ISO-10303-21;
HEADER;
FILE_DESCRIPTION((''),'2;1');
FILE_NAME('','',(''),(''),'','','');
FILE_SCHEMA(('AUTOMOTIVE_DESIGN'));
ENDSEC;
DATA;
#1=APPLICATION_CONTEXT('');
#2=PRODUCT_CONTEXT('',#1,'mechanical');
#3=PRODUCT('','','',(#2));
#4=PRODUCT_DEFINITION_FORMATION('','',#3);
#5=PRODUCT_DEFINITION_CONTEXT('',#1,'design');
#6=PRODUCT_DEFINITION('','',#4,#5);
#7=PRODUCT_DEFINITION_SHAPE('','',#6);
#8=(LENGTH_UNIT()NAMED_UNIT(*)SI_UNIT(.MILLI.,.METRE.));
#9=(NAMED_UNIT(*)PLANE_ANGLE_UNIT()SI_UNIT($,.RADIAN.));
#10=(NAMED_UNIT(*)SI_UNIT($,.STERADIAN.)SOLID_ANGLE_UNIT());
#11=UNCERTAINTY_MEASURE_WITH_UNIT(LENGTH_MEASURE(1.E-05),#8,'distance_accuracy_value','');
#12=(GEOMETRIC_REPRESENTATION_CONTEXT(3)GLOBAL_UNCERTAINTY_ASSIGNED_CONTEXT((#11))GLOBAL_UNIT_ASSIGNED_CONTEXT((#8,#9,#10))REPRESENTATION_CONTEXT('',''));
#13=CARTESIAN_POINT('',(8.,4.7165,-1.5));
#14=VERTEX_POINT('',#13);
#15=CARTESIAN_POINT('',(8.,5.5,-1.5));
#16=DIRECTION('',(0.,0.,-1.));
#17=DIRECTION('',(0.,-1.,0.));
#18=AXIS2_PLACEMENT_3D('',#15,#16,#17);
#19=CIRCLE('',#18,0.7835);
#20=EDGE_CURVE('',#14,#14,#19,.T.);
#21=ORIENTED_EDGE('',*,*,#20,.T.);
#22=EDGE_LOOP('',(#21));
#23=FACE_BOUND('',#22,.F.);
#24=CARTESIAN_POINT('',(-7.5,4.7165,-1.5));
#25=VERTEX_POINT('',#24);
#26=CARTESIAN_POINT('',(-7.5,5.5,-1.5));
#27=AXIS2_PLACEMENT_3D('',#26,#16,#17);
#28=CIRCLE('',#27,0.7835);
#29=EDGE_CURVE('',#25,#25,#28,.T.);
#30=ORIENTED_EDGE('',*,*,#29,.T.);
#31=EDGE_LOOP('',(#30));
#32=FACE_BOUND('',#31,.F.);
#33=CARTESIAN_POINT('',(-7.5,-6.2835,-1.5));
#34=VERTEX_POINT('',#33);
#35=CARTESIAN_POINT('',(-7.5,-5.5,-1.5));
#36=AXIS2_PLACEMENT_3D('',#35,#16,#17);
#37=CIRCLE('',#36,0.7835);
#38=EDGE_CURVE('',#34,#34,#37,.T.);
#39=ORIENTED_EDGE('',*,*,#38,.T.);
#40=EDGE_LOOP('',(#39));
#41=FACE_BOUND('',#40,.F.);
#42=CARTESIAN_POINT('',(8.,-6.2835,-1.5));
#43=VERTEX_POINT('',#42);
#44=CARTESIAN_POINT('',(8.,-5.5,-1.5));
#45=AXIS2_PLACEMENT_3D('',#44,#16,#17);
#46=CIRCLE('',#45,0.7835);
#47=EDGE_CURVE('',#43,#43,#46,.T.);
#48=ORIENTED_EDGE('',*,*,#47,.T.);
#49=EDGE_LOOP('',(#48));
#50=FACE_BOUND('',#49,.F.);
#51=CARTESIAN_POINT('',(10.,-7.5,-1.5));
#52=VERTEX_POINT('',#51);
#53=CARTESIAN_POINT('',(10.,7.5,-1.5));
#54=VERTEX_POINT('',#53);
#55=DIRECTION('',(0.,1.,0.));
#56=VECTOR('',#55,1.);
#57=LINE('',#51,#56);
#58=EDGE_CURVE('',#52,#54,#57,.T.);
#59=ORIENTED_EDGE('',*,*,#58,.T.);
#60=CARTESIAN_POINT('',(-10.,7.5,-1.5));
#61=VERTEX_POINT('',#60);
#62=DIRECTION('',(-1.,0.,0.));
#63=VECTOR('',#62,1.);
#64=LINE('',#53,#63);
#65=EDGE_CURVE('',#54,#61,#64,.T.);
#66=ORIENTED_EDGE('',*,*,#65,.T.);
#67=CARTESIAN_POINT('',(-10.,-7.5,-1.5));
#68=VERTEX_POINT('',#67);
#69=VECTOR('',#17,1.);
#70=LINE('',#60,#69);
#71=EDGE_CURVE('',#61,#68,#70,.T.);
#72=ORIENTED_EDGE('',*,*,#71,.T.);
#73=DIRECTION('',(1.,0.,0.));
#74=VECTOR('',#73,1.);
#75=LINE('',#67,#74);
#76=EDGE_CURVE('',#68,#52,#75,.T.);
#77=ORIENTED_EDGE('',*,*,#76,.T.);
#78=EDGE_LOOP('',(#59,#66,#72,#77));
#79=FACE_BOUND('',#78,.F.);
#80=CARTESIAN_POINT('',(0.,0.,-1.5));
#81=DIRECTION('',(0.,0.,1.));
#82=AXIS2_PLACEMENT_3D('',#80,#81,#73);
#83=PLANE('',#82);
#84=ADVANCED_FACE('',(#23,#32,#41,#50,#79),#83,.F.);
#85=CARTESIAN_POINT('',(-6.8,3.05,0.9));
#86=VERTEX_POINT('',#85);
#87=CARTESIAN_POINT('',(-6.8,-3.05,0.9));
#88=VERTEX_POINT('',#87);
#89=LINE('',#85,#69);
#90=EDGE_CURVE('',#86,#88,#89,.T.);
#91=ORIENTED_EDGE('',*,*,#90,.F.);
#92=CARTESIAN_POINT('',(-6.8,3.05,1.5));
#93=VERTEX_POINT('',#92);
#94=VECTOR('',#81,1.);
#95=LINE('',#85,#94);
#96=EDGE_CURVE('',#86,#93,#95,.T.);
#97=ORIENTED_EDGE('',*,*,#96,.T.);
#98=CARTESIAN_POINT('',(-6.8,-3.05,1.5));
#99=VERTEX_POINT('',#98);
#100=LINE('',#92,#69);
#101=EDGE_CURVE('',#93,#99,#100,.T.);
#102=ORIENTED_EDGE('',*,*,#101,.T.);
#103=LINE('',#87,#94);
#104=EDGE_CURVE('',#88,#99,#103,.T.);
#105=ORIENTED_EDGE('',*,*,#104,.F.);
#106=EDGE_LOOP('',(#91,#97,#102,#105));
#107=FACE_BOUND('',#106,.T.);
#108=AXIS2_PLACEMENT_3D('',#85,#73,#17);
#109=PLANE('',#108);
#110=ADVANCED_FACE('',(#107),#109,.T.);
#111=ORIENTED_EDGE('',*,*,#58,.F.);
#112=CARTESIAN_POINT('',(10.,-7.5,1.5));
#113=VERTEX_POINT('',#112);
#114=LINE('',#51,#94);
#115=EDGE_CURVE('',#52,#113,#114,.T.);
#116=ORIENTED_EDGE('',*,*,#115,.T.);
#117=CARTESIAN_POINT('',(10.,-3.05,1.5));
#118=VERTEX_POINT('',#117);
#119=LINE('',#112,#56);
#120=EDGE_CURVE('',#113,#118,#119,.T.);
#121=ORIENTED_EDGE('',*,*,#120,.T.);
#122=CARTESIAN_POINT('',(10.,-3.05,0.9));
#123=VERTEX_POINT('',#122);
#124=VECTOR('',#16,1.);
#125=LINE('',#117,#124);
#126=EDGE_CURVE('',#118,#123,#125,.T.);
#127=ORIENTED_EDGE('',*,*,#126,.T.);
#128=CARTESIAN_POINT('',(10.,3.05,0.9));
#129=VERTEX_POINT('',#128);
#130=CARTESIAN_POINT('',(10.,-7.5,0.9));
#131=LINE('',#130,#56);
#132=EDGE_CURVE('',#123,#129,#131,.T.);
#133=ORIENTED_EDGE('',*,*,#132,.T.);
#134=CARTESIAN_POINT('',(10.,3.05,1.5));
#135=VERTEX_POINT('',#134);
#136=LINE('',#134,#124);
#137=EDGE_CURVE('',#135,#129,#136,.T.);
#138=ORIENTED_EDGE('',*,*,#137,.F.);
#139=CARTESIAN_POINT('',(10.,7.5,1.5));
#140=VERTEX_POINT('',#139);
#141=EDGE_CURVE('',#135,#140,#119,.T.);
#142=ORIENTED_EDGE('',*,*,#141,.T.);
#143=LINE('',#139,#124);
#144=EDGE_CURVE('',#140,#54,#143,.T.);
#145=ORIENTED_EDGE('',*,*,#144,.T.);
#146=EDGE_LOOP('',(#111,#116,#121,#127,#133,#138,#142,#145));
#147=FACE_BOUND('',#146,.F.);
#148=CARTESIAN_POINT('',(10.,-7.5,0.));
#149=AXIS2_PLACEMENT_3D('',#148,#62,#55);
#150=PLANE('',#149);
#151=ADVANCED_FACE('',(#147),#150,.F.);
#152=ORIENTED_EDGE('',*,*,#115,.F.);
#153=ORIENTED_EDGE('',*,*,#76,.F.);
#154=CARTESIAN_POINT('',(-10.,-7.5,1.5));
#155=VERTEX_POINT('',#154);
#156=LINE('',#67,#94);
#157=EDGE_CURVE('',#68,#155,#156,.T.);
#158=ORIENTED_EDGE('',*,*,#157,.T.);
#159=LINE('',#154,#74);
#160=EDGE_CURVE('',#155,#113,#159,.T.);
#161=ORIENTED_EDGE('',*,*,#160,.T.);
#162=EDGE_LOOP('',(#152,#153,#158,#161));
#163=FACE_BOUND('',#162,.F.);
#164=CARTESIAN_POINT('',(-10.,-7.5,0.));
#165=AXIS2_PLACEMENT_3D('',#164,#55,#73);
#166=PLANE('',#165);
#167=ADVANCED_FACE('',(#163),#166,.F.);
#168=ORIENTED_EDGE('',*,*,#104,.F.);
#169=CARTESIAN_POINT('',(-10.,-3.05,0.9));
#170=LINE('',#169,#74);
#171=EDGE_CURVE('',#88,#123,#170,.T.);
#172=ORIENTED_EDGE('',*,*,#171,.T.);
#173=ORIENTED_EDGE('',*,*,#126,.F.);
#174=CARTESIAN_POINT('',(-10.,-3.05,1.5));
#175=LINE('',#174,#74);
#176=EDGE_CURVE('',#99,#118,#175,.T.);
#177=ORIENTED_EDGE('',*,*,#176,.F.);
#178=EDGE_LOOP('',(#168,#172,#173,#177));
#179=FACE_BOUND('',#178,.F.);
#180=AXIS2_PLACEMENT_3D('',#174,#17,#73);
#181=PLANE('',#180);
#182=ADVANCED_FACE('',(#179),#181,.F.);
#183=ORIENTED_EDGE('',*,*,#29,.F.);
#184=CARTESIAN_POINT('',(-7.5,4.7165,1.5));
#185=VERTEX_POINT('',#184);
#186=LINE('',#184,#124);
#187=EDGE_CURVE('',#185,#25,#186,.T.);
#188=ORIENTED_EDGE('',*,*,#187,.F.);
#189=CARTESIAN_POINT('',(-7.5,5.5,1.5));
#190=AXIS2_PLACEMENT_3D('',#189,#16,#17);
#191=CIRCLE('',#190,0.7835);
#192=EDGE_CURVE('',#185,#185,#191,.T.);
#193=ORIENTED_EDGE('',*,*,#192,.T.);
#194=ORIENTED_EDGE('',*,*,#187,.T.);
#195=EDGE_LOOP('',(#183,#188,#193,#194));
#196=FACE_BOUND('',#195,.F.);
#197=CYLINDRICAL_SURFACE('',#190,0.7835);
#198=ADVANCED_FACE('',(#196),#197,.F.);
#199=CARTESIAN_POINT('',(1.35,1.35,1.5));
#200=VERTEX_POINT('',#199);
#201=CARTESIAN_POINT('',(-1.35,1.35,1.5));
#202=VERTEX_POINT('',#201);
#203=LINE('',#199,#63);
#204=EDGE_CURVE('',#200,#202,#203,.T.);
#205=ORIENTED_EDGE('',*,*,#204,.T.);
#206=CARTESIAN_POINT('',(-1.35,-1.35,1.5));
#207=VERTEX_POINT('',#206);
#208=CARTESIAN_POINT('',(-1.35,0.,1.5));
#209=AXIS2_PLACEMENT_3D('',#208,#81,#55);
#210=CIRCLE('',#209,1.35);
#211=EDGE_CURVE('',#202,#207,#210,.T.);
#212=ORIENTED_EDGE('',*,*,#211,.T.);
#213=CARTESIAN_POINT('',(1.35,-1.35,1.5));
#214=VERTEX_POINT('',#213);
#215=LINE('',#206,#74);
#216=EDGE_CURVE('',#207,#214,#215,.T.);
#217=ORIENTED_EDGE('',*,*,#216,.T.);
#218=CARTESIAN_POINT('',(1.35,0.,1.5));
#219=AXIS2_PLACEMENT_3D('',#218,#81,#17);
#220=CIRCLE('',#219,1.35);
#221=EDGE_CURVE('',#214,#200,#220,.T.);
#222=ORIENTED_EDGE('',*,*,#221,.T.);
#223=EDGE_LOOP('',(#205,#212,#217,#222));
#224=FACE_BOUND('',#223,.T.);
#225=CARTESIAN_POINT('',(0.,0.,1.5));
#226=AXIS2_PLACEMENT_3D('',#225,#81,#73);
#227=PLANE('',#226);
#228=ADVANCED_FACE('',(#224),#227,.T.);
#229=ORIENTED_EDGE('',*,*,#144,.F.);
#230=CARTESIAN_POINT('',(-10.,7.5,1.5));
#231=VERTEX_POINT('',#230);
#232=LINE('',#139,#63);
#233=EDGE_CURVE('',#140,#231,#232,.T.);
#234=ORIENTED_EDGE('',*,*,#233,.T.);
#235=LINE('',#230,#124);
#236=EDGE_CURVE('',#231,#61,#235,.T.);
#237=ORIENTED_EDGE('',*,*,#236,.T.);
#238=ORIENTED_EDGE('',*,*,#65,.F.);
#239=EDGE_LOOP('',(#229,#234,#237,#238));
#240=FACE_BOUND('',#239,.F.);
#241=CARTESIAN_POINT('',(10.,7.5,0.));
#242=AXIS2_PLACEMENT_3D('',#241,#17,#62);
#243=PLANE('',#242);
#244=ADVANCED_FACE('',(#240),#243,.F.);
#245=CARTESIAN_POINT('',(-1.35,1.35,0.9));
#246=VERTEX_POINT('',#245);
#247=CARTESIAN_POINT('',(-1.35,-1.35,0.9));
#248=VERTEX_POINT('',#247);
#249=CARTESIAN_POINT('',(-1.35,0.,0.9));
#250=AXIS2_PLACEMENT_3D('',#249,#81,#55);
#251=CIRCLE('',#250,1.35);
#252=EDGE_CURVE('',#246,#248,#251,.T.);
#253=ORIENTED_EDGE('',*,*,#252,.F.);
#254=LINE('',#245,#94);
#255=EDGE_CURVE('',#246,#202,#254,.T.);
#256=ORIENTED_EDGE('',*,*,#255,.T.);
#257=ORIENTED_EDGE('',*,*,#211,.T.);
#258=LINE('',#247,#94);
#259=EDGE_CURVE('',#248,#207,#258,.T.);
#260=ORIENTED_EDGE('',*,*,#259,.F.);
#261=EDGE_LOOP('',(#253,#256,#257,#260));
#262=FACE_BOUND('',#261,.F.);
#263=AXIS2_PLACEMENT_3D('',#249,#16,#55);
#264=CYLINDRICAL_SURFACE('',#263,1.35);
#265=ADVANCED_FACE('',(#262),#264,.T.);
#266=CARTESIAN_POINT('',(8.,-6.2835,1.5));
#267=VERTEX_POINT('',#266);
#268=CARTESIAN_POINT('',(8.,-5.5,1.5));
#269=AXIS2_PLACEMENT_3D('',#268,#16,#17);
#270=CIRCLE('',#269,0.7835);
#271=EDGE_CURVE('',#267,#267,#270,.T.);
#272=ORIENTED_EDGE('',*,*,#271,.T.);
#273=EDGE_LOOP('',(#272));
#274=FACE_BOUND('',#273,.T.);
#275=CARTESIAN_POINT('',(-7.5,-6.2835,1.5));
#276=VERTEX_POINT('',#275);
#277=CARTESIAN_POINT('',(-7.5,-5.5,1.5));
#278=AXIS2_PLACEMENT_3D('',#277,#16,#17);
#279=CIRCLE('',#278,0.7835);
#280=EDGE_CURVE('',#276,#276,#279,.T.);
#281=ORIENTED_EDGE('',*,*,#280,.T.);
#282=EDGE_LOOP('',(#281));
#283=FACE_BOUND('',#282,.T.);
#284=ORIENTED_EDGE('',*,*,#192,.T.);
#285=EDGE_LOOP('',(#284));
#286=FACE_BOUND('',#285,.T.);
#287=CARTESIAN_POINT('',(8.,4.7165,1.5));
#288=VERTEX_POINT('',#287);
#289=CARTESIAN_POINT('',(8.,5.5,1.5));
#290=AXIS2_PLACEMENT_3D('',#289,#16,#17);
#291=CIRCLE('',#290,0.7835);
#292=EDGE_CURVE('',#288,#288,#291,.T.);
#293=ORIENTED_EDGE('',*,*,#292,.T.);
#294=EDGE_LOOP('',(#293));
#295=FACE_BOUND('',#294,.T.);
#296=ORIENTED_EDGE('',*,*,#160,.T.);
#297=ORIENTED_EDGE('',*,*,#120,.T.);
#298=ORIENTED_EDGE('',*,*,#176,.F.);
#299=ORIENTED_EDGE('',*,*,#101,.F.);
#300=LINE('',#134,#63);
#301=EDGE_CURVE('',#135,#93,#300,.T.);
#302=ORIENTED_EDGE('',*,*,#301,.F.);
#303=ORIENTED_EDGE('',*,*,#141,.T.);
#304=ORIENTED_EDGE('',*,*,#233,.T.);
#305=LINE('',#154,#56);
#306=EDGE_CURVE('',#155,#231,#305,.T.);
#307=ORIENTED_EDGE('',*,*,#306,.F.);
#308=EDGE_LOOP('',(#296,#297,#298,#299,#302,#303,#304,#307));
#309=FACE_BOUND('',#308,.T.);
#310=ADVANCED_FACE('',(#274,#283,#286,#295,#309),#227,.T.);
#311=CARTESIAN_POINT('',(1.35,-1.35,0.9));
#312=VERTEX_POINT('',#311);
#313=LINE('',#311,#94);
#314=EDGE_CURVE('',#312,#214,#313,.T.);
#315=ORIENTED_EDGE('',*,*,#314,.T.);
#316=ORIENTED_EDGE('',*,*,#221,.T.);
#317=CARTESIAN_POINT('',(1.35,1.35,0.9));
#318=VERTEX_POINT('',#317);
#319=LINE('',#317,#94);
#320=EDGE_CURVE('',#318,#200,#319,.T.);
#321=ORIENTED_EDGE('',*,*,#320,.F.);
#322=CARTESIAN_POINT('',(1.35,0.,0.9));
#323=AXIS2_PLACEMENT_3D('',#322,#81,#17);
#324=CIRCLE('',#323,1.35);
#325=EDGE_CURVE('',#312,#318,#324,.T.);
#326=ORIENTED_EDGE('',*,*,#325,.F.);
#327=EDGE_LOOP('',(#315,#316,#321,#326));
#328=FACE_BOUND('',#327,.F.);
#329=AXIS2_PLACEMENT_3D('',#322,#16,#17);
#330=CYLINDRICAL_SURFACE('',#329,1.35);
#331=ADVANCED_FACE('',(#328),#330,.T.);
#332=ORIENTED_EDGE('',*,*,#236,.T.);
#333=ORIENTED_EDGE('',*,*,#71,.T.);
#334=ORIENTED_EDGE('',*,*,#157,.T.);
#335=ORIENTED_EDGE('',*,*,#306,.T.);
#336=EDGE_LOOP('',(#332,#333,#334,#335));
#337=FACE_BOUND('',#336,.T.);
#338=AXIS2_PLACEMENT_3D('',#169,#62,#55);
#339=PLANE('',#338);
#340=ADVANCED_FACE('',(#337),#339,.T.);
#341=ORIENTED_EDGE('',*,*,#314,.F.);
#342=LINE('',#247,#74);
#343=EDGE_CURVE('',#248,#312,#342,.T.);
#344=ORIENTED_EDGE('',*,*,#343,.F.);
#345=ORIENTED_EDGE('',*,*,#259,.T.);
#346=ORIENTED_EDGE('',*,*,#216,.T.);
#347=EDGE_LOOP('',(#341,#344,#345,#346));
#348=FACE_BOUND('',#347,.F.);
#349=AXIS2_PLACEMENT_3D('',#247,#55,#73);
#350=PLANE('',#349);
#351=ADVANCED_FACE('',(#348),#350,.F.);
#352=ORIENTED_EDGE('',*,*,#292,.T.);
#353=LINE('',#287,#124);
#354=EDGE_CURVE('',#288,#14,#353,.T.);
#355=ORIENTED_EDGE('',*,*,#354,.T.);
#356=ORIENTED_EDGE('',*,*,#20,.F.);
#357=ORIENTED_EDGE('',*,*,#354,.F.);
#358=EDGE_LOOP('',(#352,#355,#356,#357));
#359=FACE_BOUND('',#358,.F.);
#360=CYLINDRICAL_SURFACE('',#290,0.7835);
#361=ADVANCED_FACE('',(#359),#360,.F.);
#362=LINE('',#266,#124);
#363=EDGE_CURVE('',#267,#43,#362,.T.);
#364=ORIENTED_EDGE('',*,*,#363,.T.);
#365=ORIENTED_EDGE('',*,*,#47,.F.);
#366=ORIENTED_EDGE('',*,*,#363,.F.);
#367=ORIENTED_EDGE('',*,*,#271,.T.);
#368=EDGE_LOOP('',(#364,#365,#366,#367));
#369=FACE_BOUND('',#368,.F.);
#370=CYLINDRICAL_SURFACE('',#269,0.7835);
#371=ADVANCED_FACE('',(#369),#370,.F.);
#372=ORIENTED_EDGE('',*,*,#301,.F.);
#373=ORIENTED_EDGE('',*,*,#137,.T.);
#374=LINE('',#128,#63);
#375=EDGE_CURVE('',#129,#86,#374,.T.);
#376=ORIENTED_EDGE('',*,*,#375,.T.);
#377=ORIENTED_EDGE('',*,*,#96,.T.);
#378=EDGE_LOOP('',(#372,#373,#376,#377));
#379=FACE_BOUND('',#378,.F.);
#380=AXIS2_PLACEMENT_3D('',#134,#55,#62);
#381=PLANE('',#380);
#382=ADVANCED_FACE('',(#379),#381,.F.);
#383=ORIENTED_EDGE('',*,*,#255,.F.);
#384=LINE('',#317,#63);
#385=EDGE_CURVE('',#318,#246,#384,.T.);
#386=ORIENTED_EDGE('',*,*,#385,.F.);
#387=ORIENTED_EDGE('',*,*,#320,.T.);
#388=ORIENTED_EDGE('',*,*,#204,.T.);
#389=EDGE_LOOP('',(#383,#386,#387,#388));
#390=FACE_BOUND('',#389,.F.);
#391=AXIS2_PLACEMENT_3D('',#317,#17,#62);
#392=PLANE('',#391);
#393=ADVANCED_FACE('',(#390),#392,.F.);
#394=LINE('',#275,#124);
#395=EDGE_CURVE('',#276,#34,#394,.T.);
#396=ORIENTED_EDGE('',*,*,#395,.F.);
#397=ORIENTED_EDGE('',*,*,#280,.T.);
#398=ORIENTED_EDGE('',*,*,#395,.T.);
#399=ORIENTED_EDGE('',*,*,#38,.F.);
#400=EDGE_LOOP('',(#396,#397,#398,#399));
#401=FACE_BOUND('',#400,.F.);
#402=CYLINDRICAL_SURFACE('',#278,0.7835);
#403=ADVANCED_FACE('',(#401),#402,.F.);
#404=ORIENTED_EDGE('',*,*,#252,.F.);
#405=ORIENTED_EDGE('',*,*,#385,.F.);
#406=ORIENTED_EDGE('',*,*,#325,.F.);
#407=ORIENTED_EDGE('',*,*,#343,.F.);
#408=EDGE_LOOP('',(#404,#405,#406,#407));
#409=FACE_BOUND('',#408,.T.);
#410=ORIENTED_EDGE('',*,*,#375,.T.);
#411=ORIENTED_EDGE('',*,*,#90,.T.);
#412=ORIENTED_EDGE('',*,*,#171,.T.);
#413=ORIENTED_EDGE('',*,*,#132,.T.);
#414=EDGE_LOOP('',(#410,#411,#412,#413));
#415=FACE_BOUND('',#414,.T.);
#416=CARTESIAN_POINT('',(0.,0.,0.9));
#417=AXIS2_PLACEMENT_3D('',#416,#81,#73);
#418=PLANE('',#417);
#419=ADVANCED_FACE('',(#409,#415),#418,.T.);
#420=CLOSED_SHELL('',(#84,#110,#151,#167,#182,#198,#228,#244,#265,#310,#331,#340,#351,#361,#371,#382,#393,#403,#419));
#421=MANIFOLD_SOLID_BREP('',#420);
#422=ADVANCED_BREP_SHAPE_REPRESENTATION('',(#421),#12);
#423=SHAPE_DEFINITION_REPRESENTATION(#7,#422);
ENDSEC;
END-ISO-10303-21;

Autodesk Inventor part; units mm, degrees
ref_plane "YZ Plane" through (0, 0, 0) normal (1, 0, 0) x (0, 1, 0)
ref_plane "XZ Plane" through (0, 0, 0) normal (0, 1, 0) x (-1, 0, 0)
ref_plane "XY Plane" through (0, 0, 0) normal (0, 0, 1) x (1, 0, 0)
sketch "スケッチ1" plane through (0, 0, 0) normal (0, 0, 1) x (1, 0, 0)
  line L0 (-10, -7.5) -> (10, -7.5)
  line L1 (10, -7.5) -> (10, 7.5)
  line L2 (10, 7.5) -> (-10, 7.5)
  line L3 (-10, 7.5) -> (-10, -7.5)
  line L4 (-10, -7.5) -> (10, 7.5) construction
  line L5 (10, -7.5) -> (-10, 7.5) construction
  point P0 (0, 0)
  dimension "d0" = 20
  dimension "d1" = 15
extrude "押し出し1" add sketch "スケッチ1" along normal mid plane 3
sketch "スケッチ2" plane through (0, 0, 1.5) normal (0, 0, 1) x (1, 0, 0)
  line L0 (10, -7.5) -> (10, 7.5) projected
  line L1 (-10, -3.05) -> (10, -3.05)
  line L2 (10, -3.05) -> (10, 3.05)
  line L3 (10, 3.05) -> (-10, 3.05)
  line L4 (-10, 3.05) -> (-10, -3.05)
  line L5 (-10, -3.05) -> (10, 3.05) construction
  line L6 (10, -3.05) -> (-10, 3.05) construction
  point P0 (0, 0)
  dimension "d4" = 6.1
extrude "押し出し2" cut sketch "スケッチ2" against normal blind 0.6
sketch "スケッチ3" plane through (0, 0, 0.9) normal (0, 0, 1) x (1, 0, 0)
  line L0 (-1.35, 0) -> (1.35, 0) construction
  line L1 (-1.35, -1.35) -> (1.35, -1.35)
  line L2 (1.35, 1.35) -> (-1.35, 1.35)
  arc A0 (-1.35, 1.35) -> (-1.35, -1.35) centre (-1.35, 0) ccw
  arc A1 (1.35, -1.35) -> (1.35, 1.35) centre (1.35, 0) ccw
  point P0 (0, 0)
  point P1 (2.7, 0)
  point P2 (-2.7, 0)
  dimension "d7" = 2.7
  dimension "d8" = 5.4
extrude "押し出し3" add sketch "スケッチ3" along normal blind 0.6
sketch "スケッチ4" plane through (0, 0, 0.9) normal (0, 0, 1) x (1, 0, 0)
  line L0 (1.35, -1.35) -> (-1.35, -1.35) projected
  arc A0 (-1.35, 1.35) -> (-1.35, -1.35) centre (-1.35, 0) ccw projected
  line L1 (-1.35, 1.35) -> (1.35, 1.35) projected
  arc A1 (1.35, -1.35) -> (1.35, 1.35) centre (1.35, 0) ccw projected
  line L2 (10, -3.05) -> (-10, -3.05) projected
  line L3 (10, 3.05) -> (10, -3.05) projected
  line L4 (-10, 3.05) -> (10, 3.05) projected
  line L5 (-10, -3.05) -> (-10, 3.05) projected
  line L6 (-10, 3.05) -> (10, 3.05) projected
  line L7 (-6.8, 3.05) -> (-6.8, -3.05)
  arc A2 (-1.35, 1.35) -> (-1.35, -1.35) centre (-1.35, 0) ccw projected
  point P0 (0, 0)
  point P1 (-2.7, 0)
  dimension "d11" = 4.1
extrude "押し出し4" add sketch "スケッチ4" along normal blind 0.6 contours L2 L5 L4 L7
sketch "スケッチ5" plane through (0, 0, 1.5) normal (0, 0, 1) x (1, 0, 0)
  line L0 (0, 0) -> (2.6024, 0)
  point P0 (-7.5, 5.5)
  point P1 (8, 5.5)
  point P2 (-7.5, -5.5)
  point P3 (8, -5.5)
  dimension "d14" = 5.5
  dimension "d15" = 5.5
  dimension "d16" = 8
  dimension "d17" = 7.5
hole "穴1" at (-7.5, 5.5, 1.5) at (8, 5.5, 1.5) at (-7.5, -5.5, 1.5) at (8, -5.5, 1.5) direction (0, 0, -1) diameter 1.567 end through all thread size "M2x0.4" class "6H" standard "ISO Metric profile"
equation "\"d15\" = d14"
properties part number "cutter_holder"
